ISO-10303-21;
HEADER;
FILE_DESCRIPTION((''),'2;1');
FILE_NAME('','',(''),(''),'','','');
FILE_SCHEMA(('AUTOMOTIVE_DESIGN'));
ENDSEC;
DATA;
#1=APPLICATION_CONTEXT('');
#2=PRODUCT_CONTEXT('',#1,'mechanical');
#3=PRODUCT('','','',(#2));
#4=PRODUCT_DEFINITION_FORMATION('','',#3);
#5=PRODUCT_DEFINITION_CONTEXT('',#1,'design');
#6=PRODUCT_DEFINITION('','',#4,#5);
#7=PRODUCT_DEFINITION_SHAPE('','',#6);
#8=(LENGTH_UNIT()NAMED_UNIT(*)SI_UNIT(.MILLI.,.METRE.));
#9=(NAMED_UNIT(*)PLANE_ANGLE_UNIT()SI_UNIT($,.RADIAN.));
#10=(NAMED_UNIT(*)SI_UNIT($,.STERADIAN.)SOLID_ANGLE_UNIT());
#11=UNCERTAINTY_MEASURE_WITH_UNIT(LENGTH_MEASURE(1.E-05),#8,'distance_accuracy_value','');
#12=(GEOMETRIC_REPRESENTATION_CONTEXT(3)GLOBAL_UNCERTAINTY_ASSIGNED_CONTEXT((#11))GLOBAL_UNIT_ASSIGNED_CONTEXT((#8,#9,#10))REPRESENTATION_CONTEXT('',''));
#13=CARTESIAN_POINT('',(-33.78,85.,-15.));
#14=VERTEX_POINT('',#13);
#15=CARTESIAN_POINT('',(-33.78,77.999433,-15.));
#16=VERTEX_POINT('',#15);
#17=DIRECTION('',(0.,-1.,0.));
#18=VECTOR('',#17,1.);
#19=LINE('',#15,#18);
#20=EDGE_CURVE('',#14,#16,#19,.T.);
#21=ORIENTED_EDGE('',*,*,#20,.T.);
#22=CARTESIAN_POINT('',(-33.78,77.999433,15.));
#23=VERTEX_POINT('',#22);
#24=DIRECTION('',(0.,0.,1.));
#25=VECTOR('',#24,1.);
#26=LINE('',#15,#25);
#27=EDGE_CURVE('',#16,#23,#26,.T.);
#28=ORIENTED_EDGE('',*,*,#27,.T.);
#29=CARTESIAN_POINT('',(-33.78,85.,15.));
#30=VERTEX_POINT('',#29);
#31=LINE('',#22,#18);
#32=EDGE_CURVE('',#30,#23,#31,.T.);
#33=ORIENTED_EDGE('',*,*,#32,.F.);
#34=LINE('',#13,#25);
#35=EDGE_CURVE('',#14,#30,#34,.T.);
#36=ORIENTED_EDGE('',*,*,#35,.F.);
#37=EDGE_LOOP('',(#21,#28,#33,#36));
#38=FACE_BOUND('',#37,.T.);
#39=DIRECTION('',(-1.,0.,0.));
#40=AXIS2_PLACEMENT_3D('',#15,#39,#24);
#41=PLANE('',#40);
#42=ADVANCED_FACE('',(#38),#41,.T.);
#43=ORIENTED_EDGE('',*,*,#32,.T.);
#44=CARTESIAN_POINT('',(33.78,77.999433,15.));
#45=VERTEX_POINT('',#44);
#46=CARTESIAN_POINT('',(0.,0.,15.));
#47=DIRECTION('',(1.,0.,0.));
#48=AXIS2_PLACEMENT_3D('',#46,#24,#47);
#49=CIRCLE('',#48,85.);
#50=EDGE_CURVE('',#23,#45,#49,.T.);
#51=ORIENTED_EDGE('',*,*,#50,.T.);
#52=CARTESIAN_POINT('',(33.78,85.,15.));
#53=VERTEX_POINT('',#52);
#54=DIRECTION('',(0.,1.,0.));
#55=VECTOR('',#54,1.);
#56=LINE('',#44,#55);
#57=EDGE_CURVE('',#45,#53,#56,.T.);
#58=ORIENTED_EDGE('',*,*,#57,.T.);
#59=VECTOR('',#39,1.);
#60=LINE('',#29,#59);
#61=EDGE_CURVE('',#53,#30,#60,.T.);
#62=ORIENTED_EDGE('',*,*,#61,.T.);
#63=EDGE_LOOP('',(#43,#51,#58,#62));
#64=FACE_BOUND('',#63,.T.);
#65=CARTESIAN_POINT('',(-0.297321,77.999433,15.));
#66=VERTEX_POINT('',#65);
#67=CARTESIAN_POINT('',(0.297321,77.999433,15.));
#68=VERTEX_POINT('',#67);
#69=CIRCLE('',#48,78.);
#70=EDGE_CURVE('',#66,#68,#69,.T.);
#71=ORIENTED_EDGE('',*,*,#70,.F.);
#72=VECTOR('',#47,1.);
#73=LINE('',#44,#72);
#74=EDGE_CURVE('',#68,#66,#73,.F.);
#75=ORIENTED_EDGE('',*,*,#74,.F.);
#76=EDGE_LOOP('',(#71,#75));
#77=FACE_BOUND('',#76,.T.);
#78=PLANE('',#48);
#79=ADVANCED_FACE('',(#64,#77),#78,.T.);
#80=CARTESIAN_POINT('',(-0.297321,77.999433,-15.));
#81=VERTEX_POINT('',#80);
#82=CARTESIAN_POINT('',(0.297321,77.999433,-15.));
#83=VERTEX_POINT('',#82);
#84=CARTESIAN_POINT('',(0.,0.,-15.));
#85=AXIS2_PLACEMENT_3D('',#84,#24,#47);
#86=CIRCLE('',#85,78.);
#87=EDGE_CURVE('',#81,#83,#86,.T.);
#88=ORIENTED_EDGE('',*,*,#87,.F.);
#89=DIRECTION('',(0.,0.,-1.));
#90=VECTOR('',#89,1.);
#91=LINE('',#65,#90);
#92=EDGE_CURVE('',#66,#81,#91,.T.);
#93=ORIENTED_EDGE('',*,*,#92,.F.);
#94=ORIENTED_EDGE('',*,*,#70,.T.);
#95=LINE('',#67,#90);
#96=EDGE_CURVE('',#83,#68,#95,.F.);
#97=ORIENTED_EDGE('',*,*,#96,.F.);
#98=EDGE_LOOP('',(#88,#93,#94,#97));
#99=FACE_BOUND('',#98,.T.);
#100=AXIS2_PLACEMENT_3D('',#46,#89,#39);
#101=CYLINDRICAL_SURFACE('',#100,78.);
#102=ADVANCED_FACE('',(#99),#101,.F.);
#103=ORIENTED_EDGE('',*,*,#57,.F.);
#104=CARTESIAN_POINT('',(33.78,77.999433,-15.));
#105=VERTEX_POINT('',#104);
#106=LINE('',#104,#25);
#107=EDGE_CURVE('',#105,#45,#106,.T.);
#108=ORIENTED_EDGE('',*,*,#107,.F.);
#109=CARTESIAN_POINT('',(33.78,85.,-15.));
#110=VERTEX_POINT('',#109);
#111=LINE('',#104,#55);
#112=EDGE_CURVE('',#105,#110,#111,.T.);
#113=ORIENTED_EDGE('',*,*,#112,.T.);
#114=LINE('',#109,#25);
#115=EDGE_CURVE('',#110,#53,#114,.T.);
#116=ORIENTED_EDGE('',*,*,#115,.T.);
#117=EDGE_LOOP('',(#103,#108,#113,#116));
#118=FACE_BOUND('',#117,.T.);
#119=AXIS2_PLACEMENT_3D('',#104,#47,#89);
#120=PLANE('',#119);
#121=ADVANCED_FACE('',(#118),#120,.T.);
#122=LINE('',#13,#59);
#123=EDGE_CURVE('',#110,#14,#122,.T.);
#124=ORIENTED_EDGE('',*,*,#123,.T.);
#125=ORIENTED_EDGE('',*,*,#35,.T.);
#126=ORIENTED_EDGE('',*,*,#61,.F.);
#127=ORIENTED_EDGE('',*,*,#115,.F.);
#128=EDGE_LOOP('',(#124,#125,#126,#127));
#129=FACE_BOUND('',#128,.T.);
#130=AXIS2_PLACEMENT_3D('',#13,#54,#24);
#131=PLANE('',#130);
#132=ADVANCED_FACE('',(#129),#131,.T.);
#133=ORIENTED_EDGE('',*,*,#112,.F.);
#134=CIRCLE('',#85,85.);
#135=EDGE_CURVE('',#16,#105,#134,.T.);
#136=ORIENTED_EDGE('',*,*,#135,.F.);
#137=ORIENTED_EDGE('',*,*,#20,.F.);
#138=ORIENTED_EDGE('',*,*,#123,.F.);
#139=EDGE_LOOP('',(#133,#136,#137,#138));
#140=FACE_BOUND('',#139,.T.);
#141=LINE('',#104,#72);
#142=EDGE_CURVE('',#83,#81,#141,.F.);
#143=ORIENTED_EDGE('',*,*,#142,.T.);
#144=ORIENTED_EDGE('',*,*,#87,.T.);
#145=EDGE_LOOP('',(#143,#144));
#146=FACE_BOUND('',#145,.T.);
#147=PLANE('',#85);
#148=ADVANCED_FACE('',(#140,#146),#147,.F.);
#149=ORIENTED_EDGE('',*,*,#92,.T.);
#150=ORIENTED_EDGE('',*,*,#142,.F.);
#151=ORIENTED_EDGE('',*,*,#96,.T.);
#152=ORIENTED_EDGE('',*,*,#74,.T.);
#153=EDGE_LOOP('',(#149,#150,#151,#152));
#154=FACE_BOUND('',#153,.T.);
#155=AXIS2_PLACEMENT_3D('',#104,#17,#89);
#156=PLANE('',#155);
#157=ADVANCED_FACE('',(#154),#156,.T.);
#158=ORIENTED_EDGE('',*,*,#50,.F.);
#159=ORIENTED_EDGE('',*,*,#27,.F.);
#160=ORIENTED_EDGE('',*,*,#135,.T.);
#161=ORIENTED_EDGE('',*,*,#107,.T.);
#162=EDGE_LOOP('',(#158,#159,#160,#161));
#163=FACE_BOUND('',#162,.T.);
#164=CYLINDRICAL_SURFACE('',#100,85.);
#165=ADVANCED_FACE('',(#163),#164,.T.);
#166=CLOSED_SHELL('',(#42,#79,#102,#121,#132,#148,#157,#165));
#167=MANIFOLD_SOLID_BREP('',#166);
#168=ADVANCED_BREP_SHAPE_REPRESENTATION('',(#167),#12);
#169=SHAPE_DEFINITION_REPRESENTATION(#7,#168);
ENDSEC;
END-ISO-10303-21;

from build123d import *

# Parameters (mm, degrees)
IZIM1_R                     = 85
IZIM1_R_2                   = 78
Y_KSEKLIK_EKSTR_ZYON1_DEPTH = 15
IZIM2_W                     = 67.56
IZIM2_H                     = 7.000566669
Y_KSEKLIK_EKSTR_ZYON2_DEPTH = 30


with BuildPart() as part:
    # Çizim1 → Yükseklik-Ekstrüzyon1 (new, symmetric)
    with BuildSketch(Plane.XY):
        Circle(IZIM1_R)
        Circle(IZIM1_R_2, mode=Mode.SUBTRACT)
    extrude(amount=Y_KSEKLIK_EKSTR_ZYON1_DEPTH, both=True)

    # Çizim2 → Yükseklik-Ekstrüzyon2 (add)
    with BuildSketch(Plane.XY.offset(15)):
        with Locations((0, 81.499716666)):
            Rectangle(IZIM2_W, IZIM2_H)
    extrude(amount=-Y_KSEKLIK_EKSTR_ZYON2_DEPTH)


solid = part.part
